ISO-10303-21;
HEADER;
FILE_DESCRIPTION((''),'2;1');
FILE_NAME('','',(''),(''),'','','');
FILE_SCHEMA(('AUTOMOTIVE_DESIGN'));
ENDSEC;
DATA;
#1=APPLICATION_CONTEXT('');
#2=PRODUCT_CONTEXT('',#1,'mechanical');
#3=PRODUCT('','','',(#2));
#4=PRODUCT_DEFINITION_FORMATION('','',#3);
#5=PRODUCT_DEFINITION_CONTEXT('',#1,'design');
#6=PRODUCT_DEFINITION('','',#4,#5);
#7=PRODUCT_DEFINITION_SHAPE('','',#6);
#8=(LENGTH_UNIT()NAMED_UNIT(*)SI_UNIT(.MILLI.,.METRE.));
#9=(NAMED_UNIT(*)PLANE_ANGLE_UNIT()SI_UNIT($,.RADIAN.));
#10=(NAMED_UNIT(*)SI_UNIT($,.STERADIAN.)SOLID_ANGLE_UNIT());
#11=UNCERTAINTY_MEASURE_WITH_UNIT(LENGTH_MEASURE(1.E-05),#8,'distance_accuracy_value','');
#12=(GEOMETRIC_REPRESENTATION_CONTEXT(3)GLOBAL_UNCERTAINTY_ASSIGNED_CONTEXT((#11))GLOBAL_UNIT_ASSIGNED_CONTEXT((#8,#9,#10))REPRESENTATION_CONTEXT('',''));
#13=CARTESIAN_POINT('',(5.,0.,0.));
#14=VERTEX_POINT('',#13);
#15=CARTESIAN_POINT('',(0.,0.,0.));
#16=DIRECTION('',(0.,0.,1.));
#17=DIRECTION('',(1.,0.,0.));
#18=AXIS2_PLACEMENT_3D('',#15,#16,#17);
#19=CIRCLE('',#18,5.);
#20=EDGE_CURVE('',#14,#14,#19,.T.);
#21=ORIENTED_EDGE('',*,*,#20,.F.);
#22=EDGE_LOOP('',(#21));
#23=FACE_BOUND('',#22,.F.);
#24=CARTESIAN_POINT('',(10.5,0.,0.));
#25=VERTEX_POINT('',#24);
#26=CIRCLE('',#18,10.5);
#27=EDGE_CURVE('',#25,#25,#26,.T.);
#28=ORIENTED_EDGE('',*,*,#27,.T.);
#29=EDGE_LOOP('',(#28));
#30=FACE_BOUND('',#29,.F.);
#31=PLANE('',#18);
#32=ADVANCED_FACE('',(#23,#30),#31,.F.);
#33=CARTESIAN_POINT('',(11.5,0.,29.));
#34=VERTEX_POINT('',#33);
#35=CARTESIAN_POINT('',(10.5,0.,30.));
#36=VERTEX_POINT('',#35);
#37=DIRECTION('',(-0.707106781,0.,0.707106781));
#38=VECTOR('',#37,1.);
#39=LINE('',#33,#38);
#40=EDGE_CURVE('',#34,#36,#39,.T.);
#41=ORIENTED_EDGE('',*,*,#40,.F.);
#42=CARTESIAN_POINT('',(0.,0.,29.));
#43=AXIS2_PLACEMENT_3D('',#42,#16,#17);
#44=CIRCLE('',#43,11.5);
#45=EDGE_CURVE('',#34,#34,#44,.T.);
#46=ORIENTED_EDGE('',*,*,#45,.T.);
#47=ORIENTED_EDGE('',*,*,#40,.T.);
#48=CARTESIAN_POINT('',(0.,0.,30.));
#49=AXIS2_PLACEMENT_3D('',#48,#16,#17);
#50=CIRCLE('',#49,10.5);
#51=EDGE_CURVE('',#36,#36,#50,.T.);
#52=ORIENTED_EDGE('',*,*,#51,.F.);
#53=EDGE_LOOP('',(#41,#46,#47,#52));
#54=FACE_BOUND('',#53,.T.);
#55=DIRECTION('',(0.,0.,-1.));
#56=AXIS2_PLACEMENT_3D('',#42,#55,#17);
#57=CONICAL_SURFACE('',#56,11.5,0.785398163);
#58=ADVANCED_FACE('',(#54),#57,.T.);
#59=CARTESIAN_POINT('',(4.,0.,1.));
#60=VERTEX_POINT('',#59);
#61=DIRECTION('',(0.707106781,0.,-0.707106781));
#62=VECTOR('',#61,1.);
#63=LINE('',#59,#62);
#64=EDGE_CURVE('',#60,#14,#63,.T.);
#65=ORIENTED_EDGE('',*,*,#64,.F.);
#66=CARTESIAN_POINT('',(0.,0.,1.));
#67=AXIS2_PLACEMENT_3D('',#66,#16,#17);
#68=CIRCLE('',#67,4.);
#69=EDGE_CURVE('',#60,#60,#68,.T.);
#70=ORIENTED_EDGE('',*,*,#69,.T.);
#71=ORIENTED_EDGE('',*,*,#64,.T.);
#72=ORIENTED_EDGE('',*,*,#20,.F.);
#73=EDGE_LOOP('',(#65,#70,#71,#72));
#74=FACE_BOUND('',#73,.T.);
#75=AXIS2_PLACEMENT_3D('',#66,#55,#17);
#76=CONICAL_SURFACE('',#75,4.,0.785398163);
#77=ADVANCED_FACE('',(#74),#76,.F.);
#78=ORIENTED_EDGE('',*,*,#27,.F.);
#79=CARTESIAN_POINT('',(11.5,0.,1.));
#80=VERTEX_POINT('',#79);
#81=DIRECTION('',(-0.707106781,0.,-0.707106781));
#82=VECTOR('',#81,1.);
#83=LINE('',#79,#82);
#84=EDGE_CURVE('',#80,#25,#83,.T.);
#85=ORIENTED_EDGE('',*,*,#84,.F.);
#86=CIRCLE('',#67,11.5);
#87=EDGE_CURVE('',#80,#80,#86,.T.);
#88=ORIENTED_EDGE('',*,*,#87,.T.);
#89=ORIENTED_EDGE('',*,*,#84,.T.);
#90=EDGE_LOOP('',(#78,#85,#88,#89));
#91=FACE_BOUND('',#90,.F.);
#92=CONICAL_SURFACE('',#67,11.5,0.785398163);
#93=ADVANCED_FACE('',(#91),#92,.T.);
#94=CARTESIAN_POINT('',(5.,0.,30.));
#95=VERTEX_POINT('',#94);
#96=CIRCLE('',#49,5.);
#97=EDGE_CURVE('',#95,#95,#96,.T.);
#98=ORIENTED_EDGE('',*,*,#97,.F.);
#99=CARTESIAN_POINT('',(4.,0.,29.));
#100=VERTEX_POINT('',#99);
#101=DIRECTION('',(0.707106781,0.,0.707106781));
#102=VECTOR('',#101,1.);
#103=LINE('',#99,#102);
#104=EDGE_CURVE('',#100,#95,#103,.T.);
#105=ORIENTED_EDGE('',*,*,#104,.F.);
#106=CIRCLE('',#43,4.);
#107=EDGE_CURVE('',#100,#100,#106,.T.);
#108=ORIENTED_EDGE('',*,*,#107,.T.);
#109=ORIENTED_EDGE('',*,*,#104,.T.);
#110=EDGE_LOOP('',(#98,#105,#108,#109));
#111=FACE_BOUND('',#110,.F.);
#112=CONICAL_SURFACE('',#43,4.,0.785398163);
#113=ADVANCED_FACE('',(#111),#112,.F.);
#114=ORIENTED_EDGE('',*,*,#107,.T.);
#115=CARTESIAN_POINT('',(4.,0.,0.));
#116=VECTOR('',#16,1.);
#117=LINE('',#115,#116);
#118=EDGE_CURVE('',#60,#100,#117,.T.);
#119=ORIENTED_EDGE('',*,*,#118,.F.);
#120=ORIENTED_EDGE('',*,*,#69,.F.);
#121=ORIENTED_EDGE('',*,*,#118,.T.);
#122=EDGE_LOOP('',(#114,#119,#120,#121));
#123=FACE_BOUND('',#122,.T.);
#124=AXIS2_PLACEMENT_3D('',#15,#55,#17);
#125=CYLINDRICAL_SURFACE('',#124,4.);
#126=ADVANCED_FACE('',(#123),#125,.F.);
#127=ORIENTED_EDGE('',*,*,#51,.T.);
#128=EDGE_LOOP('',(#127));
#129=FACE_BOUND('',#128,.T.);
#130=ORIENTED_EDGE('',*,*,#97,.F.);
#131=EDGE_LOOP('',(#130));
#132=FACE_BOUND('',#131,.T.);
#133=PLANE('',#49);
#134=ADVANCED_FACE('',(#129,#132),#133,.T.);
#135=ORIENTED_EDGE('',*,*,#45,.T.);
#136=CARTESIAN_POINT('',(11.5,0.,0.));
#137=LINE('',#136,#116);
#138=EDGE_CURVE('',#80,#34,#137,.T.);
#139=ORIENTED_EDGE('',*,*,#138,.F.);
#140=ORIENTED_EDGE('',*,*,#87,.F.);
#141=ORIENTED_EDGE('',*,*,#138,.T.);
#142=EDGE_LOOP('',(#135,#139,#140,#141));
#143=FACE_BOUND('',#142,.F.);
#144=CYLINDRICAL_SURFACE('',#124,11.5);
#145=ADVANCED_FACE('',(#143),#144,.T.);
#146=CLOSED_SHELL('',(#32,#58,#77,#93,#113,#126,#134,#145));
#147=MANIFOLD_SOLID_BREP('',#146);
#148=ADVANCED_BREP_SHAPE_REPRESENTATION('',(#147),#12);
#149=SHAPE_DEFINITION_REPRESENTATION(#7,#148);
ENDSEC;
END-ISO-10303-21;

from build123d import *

# Parameters (mm, degrees)
F0_R     = 11.5
F0_R_2   = 4
F1_DEPTH = 30
F2_SIZE  = 1


with BuildPart() as f1:
    # F0 (on Top) → F1 (new body)
    with BuildSketch(Plane.XY):
        Circle(F0_R)
        Circle(F0_R_2, mode=Mode.SUBTRACT)
    extrude(amount=F1_DEPTH)

    # F2
    f2_edges = [f1.edges().sort_by_distance(p)[0] for p in [
        (-4, 0, 30),
        (-11.5, 0, 30),
        (-4, 0, 0),
        (11.5, 0, 15),
        (-11.5, 0, 0),
    ]]
    chamfer(f2_edges, length=F2_SIZE)


solid = f1.part
